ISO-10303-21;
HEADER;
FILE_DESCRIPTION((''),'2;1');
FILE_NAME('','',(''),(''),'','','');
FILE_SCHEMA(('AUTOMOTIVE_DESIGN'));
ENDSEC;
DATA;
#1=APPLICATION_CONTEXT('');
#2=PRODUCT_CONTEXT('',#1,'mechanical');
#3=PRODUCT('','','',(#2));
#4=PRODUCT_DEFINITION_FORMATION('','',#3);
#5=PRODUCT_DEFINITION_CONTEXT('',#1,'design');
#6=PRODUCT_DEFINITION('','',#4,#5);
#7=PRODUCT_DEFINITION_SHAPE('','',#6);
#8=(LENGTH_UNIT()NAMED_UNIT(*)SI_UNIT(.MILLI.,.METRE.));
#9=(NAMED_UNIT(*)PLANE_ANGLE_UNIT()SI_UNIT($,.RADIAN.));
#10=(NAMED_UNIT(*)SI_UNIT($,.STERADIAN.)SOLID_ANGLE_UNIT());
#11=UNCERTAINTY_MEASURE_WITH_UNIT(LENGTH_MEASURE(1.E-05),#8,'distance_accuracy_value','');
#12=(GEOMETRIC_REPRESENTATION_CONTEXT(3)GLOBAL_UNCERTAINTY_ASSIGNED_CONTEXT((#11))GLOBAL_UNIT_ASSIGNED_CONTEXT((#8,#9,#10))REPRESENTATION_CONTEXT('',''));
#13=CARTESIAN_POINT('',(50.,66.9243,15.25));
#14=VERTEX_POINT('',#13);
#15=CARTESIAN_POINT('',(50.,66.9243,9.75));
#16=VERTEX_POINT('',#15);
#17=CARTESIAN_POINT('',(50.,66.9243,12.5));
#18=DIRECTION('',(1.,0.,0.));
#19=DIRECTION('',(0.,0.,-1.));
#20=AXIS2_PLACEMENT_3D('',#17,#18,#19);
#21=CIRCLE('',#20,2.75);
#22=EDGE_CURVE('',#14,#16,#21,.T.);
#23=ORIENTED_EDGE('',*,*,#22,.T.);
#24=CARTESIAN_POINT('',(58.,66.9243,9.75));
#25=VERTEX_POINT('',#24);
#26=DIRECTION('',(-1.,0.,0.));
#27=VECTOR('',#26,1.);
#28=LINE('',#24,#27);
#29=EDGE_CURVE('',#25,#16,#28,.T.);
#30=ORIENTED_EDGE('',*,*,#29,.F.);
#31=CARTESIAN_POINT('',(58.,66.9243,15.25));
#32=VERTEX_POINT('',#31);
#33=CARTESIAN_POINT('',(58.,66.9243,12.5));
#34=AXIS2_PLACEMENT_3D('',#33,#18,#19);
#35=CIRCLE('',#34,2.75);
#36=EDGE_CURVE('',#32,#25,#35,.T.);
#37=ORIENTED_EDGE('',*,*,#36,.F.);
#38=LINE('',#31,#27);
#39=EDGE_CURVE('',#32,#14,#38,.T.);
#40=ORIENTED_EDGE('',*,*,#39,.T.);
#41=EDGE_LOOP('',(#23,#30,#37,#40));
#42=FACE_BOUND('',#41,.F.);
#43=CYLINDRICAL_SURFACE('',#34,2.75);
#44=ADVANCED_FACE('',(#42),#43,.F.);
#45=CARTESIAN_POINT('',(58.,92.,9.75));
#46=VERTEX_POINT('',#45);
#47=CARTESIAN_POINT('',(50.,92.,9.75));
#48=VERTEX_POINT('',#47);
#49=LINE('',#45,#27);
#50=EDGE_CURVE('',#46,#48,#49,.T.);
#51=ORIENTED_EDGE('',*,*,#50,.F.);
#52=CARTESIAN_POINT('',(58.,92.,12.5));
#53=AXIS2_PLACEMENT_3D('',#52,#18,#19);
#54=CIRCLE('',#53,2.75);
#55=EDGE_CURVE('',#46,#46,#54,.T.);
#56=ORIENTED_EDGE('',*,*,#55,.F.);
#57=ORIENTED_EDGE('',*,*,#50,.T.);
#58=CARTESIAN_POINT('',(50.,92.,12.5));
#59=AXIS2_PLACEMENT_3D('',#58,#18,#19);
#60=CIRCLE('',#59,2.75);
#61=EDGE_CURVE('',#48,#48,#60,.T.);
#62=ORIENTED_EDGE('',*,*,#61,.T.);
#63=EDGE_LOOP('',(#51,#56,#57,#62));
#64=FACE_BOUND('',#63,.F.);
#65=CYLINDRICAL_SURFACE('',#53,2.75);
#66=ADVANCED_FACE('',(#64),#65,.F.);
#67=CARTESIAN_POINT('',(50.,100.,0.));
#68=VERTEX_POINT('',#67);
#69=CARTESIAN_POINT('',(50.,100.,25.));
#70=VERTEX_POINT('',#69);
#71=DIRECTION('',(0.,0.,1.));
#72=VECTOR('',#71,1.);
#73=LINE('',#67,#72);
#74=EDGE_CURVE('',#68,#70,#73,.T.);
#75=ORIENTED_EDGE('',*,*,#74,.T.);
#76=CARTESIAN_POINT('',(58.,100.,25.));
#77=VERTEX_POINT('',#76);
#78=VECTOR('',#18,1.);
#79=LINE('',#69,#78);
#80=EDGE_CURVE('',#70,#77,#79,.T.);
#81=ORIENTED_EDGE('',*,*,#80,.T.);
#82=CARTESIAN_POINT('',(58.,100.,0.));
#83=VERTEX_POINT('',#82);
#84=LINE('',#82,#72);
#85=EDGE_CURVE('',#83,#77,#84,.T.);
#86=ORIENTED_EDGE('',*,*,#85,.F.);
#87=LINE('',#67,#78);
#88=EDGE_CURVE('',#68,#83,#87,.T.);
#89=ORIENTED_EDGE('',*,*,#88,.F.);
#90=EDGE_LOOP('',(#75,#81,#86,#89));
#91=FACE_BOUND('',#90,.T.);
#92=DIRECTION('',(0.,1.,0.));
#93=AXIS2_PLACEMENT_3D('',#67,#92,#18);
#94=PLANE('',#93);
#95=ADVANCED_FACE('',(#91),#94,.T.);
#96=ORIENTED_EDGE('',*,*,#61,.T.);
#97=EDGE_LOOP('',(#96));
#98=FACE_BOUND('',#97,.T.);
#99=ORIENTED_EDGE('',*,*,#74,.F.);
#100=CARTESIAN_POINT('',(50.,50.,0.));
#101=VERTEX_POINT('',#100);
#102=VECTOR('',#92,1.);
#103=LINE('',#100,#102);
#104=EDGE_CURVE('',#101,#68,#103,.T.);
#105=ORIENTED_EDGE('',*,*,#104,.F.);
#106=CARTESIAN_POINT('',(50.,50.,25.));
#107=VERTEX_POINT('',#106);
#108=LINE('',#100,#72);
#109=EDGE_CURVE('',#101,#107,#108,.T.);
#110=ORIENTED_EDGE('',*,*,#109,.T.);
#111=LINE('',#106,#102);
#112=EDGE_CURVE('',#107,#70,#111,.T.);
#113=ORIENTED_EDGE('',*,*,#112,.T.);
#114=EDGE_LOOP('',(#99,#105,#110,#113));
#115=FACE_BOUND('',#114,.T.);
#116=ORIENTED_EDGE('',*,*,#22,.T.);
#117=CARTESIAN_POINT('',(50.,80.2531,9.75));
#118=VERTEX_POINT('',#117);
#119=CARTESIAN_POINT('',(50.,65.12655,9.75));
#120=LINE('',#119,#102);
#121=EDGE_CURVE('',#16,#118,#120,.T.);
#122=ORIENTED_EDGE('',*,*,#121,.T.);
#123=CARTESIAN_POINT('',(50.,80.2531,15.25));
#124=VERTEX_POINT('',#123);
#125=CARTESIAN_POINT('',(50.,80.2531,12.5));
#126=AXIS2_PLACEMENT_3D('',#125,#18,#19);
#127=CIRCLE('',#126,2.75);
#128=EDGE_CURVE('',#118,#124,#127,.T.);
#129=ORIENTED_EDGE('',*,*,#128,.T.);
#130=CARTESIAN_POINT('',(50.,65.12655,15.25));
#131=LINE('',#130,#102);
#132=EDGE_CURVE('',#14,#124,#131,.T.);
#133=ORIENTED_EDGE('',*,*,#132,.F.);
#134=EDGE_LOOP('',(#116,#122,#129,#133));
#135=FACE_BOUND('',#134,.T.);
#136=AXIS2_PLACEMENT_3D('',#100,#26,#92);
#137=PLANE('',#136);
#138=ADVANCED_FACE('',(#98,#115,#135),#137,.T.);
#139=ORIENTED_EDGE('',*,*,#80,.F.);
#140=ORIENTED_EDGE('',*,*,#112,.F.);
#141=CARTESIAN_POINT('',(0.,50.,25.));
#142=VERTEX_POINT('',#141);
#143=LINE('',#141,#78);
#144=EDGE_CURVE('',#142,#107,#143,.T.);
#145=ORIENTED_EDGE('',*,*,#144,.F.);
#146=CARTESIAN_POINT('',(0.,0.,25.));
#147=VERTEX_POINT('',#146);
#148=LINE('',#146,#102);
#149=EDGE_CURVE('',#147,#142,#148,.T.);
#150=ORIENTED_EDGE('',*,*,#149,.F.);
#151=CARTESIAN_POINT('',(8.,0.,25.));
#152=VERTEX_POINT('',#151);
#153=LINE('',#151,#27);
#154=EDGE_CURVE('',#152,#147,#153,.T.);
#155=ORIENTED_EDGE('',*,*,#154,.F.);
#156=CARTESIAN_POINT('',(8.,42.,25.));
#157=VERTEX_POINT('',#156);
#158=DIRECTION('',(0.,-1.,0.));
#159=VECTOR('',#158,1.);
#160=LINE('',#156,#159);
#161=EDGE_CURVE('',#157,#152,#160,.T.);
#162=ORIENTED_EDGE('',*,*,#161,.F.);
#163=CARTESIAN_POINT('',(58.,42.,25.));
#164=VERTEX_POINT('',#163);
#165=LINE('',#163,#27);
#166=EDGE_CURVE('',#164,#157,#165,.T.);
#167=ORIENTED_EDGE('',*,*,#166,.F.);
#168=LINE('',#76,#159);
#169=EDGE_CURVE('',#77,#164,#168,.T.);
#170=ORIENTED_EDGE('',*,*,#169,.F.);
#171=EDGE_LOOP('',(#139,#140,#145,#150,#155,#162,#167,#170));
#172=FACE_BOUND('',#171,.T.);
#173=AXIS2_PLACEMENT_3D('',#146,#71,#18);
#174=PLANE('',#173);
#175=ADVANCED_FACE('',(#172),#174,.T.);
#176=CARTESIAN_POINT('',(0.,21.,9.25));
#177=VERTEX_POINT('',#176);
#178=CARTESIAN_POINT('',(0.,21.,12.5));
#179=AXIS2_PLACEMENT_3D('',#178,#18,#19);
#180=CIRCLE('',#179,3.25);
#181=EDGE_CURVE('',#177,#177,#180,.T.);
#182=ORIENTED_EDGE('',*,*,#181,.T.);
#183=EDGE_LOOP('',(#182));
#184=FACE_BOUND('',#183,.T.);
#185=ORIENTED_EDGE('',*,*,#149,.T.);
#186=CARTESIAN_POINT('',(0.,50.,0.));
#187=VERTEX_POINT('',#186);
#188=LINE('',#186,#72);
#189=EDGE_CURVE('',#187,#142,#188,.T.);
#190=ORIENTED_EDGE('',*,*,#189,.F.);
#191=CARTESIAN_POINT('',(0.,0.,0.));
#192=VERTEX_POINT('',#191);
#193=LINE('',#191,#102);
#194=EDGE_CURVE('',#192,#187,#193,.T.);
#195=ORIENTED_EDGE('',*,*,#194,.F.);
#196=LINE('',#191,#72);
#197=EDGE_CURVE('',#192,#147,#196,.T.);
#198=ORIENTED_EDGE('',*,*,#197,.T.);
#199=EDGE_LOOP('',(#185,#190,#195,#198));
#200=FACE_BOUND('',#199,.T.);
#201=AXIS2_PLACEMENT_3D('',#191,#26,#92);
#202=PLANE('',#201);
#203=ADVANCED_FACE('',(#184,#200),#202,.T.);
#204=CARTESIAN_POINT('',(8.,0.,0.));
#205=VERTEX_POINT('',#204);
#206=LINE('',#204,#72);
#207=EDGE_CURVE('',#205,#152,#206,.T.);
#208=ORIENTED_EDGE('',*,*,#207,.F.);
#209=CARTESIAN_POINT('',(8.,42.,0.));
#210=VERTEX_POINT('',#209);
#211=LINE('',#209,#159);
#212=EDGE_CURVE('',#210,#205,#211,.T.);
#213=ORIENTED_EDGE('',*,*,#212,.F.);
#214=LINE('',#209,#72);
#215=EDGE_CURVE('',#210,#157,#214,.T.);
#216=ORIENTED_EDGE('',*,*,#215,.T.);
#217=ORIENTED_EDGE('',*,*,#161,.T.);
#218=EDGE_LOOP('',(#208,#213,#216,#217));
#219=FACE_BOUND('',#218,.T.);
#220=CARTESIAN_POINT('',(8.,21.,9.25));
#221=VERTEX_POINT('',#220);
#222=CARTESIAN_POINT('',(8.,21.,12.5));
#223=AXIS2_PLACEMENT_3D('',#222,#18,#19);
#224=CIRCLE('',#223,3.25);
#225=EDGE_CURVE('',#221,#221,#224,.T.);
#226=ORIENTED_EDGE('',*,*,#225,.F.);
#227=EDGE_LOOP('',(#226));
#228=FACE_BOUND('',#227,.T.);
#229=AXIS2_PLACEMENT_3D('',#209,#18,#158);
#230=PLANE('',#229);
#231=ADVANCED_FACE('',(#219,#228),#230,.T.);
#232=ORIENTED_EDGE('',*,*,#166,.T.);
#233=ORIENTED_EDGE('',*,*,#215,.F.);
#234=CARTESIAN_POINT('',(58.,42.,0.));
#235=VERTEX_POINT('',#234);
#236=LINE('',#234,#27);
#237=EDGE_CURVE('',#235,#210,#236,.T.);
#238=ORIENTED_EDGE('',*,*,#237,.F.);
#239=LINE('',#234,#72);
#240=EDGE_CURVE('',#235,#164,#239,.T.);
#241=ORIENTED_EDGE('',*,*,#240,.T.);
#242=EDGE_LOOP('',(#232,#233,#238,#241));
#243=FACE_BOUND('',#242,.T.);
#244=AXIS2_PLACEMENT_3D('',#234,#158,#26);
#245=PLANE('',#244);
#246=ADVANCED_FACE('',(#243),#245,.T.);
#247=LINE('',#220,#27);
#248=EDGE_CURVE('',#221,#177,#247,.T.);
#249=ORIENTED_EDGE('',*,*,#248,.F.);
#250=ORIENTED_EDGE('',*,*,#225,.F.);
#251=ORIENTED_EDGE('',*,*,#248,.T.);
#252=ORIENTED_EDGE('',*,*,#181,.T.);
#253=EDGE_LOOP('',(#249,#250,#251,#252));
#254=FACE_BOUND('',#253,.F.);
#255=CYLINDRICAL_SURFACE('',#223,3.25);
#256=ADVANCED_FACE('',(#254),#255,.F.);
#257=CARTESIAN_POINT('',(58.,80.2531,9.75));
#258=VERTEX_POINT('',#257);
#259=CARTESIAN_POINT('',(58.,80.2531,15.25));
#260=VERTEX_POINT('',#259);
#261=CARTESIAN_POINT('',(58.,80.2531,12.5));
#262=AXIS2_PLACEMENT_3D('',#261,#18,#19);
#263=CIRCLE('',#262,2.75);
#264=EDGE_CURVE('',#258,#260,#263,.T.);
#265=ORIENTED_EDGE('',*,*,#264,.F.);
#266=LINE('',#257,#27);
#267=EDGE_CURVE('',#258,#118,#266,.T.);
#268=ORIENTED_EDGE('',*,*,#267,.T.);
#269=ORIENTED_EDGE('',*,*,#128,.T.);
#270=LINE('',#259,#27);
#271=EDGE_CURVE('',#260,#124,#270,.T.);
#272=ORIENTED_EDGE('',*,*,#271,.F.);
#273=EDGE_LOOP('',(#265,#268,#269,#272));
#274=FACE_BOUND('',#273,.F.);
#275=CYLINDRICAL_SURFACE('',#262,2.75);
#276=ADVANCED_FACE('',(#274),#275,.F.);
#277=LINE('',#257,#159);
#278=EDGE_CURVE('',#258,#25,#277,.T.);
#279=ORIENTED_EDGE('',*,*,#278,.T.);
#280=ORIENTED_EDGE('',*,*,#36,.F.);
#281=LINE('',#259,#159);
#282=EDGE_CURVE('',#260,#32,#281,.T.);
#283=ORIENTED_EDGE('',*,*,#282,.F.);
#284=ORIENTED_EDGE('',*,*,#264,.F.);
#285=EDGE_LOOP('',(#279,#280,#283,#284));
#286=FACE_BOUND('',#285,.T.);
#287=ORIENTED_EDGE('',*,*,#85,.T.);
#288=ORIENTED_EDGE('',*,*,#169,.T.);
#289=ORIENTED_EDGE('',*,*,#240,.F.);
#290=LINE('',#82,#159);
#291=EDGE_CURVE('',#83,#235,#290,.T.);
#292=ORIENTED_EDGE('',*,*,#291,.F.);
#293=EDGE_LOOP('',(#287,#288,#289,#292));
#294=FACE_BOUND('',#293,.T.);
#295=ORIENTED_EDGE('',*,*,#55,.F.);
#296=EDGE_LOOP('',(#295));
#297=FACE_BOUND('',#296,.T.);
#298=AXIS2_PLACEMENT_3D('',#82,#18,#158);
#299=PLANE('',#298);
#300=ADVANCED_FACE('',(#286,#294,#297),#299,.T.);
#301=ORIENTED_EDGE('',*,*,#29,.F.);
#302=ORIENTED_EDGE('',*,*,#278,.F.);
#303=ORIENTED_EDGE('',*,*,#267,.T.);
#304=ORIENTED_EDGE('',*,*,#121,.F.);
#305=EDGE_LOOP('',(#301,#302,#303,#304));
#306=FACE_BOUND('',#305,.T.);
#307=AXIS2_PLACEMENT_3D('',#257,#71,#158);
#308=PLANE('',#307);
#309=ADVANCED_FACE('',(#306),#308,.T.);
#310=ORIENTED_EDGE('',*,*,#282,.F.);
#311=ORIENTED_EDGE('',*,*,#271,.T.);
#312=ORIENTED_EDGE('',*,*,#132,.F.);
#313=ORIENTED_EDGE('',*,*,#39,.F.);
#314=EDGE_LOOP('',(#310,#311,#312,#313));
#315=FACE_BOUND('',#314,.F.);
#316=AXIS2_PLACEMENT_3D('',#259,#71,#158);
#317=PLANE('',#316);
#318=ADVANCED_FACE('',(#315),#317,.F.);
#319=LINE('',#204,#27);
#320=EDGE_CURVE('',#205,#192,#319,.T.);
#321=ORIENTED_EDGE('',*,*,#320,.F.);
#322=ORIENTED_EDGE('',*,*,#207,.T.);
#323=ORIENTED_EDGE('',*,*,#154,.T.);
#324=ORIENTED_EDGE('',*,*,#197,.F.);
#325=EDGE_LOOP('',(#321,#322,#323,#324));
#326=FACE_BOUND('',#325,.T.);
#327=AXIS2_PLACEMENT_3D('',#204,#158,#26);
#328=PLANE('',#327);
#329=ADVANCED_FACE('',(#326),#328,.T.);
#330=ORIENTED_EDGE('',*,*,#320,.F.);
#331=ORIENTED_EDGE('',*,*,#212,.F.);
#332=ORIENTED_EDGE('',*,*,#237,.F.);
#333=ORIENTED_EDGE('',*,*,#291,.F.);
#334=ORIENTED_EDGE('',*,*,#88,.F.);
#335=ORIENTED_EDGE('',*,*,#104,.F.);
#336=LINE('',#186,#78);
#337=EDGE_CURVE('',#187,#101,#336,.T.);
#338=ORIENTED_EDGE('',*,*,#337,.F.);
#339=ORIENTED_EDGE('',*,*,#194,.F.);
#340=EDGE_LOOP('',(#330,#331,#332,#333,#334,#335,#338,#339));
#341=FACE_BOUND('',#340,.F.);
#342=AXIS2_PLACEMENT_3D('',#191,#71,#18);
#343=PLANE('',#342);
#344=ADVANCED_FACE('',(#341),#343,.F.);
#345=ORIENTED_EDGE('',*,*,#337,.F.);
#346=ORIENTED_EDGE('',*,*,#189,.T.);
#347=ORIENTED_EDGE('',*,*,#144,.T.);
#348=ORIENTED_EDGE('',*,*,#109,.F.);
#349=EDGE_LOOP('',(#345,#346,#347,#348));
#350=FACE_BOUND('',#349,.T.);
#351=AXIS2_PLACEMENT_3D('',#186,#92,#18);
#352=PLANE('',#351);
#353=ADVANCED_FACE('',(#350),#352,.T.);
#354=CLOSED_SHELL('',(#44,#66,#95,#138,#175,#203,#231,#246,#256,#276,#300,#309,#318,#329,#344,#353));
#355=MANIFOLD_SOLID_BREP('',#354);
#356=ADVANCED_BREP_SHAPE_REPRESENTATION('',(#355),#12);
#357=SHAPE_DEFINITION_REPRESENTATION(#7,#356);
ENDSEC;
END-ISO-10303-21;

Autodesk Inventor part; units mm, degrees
ref_plane "YZ Plane" through (0, 0, 0) normal (1, 0, 0) x (0, 1, 0)
ref_plane "XZ Plane" through (0, 0, 0) normal (0, 1, 0) x (-1, 0, 0)
ref_plane "XY Plane" through (0, 0, 0) normal (0, 0, 1) x (1, 0, 0)
sketch "Sketch1" plane through (0, 0, 0) normal (0, 0, 1) x (1, 0, 0)
  line L0 (0, 0) -> (0, 50)
  line L1 (0, 50) -> (50, 50)
  line L2 (50, 50) -> (50, 100)
  line L3 (50, 100) -> (58, 100)
  line L4 (58, 100) -> (58, 42)
  line L5 (58, 42) -> (8, 42)
  line L6 (8, 42) -> (8, 0)
  line L7 (8, 0) -> (0, 0)
  dimension "d0" = 50
  dimension "d1" = 50
  dimension "d2" = 50
  dimension "d3" = 8
  dimension "d4" = 58
  dimension "d6" = 50
extrude "Extrusion1" add sketch "Sketch1" along normal blind 25
sketch "Sketch2" plane through (58, 42, 0) normal (1, 0, 0) x (0, 0, -1)
  circle A0 centre (-12.5, 50) radius 2.75
  line L0 (0, 58) -> (-25, 58) projected
  line L1 (-25, 0) -> (-25, 58) projected
  point P0 (0, -42)
  dimension "d9" = 5.5
  dimension "d10" = 8
  dimension "d11" = 12.5
extrude "Extrusion2" cut sketch "Sketch2" against normal blind 25
sketch "Sketch3" plane through (8, 0, 0) normal (1, 0, 0) x (0, 0, -1)
  point P0 (0, 0)
sketch "Sketch4" plane through (8, 0, 0) normal (1, 0, 0) x (0, 0, -1)
  circle A0 centre (-12.5, 21) radius 3.25
  line L0 (0, 42) -> (-25, 42) projected
  line L1 (0, 0) -> (0, 42) projected
  dimension "d26" = 21
  dimension "d27" = 6.5
  dimension "d28" = 12.5
extrude "Extrusion3" cut sketch "Sketch4" against normal blind 25
sketch "Sketch5" plane through (58, 42, 0) normal (1, 0, 0) x (0, 0, -1)
  circle A0 centre (-12.5, 38.2531) radius 2.75
  line L0 (0, 0) -> (0, 58) projected
  circle A1 centre (-12.5, 24.9243) radius 2.75
  line L1 (-15.25, 38.2531) -> (-15.25, 24.9243)
  line L2 (-9.75, 38.2531) -> (-9.75, 24.9243)
  point P0 (0, -42)
  dimension "d31" = 5.5
  dimension "d32" = 9.75
  dimension "d33" = 5.5
extrude "Extrusion4" cut sketch "Sketch5" against normal blind 58
equation "\"d34\" = d4"
properties part number "CoilBracketMount"
